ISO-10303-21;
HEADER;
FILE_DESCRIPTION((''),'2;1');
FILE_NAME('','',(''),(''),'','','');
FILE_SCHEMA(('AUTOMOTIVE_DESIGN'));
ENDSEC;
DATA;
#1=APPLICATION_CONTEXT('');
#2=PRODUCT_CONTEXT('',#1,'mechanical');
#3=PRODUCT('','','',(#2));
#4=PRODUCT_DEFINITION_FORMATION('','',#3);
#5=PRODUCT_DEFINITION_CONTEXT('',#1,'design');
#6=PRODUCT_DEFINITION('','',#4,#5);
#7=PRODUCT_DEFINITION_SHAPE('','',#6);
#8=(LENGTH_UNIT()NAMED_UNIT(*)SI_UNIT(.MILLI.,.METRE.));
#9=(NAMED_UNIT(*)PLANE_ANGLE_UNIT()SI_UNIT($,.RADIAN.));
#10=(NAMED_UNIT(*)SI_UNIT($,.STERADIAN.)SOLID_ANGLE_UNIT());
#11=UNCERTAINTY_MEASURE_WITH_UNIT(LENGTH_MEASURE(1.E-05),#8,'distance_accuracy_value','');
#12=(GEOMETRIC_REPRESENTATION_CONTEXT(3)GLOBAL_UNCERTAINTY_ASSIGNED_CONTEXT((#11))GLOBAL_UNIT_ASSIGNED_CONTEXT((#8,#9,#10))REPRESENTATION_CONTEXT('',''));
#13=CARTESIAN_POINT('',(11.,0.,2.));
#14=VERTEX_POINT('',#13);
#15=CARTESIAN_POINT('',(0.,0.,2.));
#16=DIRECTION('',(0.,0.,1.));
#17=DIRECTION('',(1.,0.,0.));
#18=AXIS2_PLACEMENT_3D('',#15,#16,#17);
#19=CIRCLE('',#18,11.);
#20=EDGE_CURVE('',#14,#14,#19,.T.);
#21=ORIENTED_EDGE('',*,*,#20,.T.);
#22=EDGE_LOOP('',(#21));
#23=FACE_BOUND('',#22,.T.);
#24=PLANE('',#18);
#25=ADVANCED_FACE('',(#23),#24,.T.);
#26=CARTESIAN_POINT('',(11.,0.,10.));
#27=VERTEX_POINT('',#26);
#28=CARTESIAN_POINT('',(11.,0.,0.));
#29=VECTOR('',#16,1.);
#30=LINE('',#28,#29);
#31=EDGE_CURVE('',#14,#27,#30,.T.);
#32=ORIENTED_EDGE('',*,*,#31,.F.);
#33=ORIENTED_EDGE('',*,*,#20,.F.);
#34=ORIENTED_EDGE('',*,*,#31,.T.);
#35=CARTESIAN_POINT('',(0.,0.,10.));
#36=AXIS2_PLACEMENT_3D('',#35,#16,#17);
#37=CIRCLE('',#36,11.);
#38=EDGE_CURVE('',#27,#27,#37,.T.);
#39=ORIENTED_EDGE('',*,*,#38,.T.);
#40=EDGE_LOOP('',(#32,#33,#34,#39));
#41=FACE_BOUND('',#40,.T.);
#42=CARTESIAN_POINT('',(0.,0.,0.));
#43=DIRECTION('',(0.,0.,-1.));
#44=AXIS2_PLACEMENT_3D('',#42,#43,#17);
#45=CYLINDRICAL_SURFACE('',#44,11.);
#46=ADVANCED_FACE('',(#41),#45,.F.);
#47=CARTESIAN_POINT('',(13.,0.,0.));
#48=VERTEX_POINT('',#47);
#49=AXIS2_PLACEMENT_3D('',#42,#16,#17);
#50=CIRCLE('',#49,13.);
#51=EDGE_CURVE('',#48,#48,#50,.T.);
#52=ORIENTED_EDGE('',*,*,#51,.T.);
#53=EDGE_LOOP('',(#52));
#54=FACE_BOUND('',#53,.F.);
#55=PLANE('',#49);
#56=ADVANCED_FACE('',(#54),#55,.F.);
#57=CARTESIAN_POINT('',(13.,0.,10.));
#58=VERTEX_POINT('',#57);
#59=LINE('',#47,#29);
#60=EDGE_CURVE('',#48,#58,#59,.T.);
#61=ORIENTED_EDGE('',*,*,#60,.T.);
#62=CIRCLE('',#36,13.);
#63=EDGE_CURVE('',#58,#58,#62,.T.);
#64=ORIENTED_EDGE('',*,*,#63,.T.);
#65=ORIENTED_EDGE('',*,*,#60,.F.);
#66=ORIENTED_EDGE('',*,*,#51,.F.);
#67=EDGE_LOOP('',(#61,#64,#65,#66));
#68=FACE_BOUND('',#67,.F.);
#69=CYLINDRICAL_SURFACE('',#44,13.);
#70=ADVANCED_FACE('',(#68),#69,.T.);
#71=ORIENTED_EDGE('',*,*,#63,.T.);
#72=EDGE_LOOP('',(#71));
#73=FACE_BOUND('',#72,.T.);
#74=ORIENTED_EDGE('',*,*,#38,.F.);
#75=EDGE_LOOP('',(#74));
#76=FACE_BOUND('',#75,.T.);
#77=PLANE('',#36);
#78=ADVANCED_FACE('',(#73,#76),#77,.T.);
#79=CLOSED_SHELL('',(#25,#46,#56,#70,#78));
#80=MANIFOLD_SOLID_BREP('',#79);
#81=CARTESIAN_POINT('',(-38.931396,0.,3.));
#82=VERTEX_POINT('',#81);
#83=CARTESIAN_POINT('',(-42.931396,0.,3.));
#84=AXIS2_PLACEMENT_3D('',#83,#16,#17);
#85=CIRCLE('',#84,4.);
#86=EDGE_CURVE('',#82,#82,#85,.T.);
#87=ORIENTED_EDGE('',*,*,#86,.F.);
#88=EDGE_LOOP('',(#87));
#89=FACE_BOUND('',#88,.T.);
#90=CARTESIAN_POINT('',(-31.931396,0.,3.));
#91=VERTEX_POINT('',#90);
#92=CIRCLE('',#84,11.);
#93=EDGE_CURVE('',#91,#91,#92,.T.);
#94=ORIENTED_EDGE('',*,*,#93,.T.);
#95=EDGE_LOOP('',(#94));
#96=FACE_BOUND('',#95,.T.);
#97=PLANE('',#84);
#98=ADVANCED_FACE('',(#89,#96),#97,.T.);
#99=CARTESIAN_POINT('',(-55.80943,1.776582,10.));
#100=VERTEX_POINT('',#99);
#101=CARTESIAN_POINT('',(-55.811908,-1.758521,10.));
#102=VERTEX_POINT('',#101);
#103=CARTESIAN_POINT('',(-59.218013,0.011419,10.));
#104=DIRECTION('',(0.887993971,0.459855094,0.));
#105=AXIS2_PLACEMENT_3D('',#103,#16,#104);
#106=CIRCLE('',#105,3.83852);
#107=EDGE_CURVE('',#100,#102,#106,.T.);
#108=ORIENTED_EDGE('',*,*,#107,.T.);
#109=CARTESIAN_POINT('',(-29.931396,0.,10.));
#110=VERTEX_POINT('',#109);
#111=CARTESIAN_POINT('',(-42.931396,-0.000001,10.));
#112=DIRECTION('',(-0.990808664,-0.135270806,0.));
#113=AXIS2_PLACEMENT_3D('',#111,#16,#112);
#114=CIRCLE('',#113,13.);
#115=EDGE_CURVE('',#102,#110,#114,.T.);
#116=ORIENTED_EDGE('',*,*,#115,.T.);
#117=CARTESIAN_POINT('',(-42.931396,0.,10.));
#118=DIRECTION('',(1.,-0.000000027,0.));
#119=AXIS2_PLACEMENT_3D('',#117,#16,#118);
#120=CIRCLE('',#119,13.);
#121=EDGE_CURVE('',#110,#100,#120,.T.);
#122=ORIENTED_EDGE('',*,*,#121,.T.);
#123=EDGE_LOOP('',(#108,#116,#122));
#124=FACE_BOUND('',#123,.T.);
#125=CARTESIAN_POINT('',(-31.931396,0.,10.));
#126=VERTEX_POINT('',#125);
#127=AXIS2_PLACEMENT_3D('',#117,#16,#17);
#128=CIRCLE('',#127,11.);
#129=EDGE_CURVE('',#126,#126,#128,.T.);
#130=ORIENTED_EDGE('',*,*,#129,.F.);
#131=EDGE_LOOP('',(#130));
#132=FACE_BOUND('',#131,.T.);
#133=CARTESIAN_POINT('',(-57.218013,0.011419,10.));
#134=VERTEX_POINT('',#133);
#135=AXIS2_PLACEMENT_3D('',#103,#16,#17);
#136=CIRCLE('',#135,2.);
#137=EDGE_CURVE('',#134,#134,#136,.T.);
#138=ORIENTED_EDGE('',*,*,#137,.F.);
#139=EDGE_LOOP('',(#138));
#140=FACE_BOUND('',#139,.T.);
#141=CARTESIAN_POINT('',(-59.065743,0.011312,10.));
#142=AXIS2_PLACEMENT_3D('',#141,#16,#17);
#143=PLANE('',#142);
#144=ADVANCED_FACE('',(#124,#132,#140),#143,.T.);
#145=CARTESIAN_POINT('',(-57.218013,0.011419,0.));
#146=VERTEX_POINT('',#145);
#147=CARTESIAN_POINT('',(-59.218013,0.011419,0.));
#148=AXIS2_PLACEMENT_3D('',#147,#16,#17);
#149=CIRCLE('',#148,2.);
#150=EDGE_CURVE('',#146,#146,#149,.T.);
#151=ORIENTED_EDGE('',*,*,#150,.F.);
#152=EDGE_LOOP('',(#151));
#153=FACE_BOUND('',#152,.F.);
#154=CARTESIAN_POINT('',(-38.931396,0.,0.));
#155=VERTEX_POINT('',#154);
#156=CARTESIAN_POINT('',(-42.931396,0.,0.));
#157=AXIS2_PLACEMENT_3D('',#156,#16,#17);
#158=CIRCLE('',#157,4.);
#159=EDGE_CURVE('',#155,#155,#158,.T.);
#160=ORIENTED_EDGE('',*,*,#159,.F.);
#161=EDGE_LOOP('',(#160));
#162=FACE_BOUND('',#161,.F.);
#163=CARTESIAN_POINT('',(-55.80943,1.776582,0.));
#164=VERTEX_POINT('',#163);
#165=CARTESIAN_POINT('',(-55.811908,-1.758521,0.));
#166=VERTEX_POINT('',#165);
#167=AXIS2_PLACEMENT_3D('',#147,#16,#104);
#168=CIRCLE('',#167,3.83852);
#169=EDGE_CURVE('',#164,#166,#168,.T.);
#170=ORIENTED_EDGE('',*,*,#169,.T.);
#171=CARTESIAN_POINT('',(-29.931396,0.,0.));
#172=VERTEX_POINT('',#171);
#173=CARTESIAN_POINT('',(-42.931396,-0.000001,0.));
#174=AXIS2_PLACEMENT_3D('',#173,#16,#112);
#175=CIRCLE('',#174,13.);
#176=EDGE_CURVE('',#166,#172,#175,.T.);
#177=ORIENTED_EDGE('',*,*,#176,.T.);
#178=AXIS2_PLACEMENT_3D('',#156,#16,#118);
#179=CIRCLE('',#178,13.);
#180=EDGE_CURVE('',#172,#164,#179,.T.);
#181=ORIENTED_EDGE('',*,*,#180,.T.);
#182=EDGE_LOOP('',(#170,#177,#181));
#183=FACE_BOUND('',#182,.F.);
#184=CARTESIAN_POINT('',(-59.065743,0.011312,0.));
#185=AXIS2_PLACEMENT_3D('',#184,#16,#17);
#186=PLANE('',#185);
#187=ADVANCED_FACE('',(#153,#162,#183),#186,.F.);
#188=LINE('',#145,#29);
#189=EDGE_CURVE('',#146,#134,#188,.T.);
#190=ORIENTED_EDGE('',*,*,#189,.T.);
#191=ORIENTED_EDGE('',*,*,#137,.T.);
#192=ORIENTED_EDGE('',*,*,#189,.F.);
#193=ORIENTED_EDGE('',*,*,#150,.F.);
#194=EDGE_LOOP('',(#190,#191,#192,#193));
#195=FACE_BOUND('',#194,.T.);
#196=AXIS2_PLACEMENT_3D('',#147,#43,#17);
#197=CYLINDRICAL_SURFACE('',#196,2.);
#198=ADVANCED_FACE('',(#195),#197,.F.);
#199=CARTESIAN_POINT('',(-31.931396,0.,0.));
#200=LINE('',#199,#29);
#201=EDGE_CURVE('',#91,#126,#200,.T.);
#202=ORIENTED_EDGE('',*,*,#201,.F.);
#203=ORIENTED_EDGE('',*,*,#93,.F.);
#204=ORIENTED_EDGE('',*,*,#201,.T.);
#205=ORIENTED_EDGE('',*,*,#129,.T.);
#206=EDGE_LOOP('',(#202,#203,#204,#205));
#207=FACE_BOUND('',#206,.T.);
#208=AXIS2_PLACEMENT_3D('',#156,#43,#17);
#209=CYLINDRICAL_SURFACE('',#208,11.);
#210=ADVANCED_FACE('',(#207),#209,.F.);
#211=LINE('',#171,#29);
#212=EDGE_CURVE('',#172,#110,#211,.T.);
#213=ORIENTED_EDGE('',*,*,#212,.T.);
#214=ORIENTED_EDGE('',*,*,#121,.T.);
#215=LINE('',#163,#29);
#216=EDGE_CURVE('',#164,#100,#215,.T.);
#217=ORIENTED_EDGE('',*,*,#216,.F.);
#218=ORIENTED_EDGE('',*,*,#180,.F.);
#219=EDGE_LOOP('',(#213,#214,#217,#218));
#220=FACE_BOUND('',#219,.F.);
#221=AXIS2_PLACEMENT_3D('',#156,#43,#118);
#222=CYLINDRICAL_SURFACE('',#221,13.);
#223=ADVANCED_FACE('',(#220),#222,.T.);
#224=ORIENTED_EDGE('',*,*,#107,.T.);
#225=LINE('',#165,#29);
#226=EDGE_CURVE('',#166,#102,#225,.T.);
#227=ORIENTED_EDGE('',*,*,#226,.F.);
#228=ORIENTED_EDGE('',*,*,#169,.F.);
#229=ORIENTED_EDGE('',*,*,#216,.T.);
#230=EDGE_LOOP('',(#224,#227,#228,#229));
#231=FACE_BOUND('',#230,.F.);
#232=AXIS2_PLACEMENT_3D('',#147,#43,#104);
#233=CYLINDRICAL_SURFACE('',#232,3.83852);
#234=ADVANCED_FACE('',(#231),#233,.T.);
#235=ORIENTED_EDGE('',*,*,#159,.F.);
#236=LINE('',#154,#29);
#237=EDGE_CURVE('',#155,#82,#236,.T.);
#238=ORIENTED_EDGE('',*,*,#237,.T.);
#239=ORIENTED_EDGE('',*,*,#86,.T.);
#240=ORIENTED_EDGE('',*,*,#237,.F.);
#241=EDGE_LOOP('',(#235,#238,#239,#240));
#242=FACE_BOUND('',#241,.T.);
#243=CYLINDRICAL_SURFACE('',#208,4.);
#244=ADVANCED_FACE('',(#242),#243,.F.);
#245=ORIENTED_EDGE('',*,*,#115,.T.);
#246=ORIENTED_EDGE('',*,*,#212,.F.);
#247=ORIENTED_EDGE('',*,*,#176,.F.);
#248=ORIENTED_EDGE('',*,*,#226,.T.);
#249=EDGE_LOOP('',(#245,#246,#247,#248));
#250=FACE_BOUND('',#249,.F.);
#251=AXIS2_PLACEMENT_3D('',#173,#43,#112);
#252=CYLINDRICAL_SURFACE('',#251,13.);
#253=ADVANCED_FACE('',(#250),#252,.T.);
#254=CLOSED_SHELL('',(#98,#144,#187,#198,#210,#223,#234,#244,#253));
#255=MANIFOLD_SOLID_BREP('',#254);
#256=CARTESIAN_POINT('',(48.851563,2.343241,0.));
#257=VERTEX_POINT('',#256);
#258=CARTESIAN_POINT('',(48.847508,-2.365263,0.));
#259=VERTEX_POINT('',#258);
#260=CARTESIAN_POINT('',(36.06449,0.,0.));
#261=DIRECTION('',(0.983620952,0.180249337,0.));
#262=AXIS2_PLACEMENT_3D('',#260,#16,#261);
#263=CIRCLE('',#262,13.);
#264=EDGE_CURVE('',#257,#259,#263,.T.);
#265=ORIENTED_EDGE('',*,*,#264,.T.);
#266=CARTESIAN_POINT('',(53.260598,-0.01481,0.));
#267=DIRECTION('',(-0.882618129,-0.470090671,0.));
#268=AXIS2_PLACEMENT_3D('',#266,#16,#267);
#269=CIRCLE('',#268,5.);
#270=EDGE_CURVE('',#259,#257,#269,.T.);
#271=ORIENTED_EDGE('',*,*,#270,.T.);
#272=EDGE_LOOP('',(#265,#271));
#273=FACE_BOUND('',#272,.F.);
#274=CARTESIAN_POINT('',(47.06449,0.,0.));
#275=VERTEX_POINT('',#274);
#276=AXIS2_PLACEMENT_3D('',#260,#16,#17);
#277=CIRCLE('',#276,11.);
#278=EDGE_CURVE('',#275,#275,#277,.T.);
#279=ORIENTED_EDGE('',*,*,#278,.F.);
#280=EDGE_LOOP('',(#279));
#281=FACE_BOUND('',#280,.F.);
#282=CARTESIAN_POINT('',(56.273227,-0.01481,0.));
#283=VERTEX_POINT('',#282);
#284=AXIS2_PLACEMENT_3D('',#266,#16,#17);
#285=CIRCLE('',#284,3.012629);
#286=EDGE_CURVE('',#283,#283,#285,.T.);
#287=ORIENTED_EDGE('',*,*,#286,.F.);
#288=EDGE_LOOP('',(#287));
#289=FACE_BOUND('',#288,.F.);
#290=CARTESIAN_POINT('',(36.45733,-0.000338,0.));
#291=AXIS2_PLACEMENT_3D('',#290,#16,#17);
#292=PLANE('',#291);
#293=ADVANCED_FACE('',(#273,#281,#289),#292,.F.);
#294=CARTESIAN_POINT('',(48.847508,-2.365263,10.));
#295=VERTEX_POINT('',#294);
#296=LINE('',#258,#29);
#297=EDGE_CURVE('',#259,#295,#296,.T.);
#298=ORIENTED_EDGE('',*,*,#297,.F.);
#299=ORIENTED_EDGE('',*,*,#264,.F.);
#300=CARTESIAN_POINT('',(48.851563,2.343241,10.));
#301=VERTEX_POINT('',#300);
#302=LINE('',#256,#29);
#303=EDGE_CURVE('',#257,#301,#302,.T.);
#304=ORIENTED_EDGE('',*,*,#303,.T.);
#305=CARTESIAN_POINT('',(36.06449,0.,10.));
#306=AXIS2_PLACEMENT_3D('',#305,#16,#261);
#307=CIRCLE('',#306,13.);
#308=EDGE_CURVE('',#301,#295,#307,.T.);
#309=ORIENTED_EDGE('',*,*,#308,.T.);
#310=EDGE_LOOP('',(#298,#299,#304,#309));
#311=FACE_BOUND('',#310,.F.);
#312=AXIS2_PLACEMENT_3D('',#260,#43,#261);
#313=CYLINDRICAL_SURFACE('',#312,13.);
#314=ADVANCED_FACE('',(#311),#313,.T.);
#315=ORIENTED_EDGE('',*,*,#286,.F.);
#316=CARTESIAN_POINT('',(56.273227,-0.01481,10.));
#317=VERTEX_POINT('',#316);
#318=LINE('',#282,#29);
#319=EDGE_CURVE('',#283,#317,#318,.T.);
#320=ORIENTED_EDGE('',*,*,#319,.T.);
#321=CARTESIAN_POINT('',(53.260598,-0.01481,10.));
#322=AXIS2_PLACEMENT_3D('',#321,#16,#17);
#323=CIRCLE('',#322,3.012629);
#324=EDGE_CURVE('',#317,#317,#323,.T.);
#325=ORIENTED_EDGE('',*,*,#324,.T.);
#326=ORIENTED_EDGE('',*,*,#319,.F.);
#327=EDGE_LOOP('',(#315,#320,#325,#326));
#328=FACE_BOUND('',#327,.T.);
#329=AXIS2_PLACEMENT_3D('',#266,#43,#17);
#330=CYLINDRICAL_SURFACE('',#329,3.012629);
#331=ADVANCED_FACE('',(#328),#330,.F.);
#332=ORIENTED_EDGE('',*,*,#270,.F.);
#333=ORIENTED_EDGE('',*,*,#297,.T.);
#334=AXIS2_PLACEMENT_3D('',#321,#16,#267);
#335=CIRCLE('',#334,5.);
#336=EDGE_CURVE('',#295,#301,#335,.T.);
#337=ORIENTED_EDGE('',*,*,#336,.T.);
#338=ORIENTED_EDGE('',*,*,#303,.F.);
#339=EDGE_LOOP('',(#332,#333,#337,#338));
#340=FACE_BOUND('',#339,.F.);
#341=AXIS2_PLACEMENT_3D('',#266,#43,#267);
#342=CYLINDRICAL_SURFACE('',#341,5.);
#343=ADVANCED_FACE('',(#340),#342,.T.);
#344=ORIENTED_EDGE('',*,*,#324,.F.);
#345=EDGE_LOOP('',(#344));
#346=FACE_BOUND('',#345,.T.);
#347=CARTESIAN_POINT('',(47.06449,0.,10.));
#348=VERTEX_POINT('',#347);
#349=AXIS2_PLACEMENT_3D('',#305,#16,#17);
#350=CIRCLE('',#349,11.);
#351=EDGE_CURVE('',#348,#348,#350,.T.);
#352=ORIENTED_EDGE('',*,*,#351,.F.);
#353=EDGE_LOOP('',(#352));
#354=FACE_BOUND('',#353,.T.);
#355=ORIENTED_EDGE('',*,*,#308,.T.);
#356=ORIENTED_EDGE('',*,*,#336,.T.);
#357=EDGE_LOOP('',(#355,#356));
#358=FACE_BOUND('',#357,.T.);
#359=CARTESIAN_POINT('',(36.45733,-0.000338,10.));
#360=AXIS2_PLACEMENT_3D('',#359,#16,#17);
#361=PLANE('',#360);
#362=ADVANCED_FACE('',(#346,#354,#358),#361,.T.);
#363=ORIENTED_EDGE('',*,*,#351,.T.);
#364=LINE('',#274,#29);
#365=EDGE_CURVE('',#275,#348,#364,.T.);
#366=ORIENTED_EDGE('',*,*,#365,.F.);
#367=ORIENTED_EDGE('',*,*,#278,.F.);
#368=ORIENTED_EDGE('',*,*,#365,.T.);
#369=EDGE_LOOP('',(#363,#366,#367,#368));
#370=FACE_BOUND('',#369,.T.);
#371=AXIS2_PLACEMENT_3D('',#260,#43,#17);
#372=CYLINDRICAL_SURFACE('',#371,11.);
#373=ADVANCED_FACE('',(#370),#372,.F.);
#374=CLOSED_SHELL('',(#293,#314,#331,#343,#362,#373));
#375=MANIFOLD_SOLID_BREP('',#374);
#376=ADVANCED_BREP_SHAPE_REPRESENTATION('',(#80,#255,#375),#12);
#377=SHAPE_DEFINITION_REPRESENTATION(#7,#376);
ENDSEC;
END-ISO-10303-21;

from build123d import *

# Parameters (mm, degrees)
F0_R     = 11
F1_DEPTH = 10
F0_R_2   = 4
F2_DEPTH = 3
F0_R_3   = 2
F3_DEPTH = 10
F4_R     = 13
F4_R_2   = 11
F5_DEPTH = 10
F6_DEPTH = 2
F7_R     = 11
F7_R_2   = 3.012629
F8_DEPTH = 10


with BuildPart() as f1:
    # F0 (on Top) → F1 (new body)
    with BuildSketch(Plane.XY):
        with BuildLine():
            ThreePointArc((-55.811908, -1.758521), (-42.050108, -12.970094), (-29.931396, 0))
            ThreePointArc((-29.931396, 0), (-42.041014, 12.969473), (-55.80943, 1.776582))
            ThreePointArc((-55.80943, 1.776582), (-55.931393, 0.009115), (-55.811908, -1.758521))
        make_face()
        with Locations((-42.931396, 0)):
            Circle(F0_R, mode=Mode.SUBTRACT)
    extrude(amount=F1_DEPTH)

    # F0 (on Top) → F2 (join)
    with BuildSketch(Plane.XY):
        with Locations((-42.931396, 0)):
            Circle(F0_R)
        with Locations((-42.931396, 0)):
            Circle(F0_R_2, mode=Mode.SUBTRACT)
    extrude(amount=F2_DEPTH)

    # F0 (on Top) → F3 (join)
    with BuildSketch(Plane.XY):
        with BuildLine():
            ThreePointArc((-55.811908, -1.758521), (-55.931393, 0.009115), (-55.80943, 1.776582))
            ThreePointArc((-55.80943, 1.776582), (-63.056532, 0.014111), (-55.811908, -1.758521))
        make_face()
        with Locations((-59.218013, 0.011419)):
            Circle(F0_R_3, mode=Mode.SUBTRACT)
    extrude(amount=F3_DEPTH)


with BuildPart() as f5:
    # F4 (on Top) → F5 (new body)
    with BuildSketch(Plane.XY):
        Circle(F4_R)
        Circle(F4_R_2, mode=Mode.SUBTRACT)
    extrude(amount=F5_DEPTH)

    # F4 (on Top) → F6 (join)
    with BuildSketch(Plane.XY):
        Circle(F4_R_2)
    extrude(amount=F6_DEPTH)


with BuildPart() as f8:
    # F7 (on Top) → F8 (new body)
    with BuildSketch(Plane.XY):
        with BuildLine():
            ThreePointArc((48.847508, -2.365263), (49.010131, -1.187598), (49.06449, 0))
            ThreePointArc((49.06449, 0), (49.011149, 1.176448), (48.851563, 2.343241))
            ThreePointArc((48.851563, 2.343241), (23.064495, 0.011196), (48.847508, -2.365263))
        make_face()
        with Locations((36.06449, 0)):
            Circle(F7_R, mode=Mode.SUBTRACT)
        with BuildLine():
            ThreePointArc((48.851563, 2.343241), (49.011149, 1.176448), (49.06449, 0))
            ThreePointArc((49.06449, 0), (49.010131, -1.187598), (48.847508, -2.365263))
            ThreePointArc((48.847508, -2.365263), (58.260596, -0.019116), (48.851563, 2.343241))
        make_face()
        with Locations((53.260598, -0.01481)):
            Circle(F7_R_2, mode=Mode.SUBTRACT)
    extrude(amount=F8_DEPTH)


solid = Compound([f1.part, f5.part, f8.part])
